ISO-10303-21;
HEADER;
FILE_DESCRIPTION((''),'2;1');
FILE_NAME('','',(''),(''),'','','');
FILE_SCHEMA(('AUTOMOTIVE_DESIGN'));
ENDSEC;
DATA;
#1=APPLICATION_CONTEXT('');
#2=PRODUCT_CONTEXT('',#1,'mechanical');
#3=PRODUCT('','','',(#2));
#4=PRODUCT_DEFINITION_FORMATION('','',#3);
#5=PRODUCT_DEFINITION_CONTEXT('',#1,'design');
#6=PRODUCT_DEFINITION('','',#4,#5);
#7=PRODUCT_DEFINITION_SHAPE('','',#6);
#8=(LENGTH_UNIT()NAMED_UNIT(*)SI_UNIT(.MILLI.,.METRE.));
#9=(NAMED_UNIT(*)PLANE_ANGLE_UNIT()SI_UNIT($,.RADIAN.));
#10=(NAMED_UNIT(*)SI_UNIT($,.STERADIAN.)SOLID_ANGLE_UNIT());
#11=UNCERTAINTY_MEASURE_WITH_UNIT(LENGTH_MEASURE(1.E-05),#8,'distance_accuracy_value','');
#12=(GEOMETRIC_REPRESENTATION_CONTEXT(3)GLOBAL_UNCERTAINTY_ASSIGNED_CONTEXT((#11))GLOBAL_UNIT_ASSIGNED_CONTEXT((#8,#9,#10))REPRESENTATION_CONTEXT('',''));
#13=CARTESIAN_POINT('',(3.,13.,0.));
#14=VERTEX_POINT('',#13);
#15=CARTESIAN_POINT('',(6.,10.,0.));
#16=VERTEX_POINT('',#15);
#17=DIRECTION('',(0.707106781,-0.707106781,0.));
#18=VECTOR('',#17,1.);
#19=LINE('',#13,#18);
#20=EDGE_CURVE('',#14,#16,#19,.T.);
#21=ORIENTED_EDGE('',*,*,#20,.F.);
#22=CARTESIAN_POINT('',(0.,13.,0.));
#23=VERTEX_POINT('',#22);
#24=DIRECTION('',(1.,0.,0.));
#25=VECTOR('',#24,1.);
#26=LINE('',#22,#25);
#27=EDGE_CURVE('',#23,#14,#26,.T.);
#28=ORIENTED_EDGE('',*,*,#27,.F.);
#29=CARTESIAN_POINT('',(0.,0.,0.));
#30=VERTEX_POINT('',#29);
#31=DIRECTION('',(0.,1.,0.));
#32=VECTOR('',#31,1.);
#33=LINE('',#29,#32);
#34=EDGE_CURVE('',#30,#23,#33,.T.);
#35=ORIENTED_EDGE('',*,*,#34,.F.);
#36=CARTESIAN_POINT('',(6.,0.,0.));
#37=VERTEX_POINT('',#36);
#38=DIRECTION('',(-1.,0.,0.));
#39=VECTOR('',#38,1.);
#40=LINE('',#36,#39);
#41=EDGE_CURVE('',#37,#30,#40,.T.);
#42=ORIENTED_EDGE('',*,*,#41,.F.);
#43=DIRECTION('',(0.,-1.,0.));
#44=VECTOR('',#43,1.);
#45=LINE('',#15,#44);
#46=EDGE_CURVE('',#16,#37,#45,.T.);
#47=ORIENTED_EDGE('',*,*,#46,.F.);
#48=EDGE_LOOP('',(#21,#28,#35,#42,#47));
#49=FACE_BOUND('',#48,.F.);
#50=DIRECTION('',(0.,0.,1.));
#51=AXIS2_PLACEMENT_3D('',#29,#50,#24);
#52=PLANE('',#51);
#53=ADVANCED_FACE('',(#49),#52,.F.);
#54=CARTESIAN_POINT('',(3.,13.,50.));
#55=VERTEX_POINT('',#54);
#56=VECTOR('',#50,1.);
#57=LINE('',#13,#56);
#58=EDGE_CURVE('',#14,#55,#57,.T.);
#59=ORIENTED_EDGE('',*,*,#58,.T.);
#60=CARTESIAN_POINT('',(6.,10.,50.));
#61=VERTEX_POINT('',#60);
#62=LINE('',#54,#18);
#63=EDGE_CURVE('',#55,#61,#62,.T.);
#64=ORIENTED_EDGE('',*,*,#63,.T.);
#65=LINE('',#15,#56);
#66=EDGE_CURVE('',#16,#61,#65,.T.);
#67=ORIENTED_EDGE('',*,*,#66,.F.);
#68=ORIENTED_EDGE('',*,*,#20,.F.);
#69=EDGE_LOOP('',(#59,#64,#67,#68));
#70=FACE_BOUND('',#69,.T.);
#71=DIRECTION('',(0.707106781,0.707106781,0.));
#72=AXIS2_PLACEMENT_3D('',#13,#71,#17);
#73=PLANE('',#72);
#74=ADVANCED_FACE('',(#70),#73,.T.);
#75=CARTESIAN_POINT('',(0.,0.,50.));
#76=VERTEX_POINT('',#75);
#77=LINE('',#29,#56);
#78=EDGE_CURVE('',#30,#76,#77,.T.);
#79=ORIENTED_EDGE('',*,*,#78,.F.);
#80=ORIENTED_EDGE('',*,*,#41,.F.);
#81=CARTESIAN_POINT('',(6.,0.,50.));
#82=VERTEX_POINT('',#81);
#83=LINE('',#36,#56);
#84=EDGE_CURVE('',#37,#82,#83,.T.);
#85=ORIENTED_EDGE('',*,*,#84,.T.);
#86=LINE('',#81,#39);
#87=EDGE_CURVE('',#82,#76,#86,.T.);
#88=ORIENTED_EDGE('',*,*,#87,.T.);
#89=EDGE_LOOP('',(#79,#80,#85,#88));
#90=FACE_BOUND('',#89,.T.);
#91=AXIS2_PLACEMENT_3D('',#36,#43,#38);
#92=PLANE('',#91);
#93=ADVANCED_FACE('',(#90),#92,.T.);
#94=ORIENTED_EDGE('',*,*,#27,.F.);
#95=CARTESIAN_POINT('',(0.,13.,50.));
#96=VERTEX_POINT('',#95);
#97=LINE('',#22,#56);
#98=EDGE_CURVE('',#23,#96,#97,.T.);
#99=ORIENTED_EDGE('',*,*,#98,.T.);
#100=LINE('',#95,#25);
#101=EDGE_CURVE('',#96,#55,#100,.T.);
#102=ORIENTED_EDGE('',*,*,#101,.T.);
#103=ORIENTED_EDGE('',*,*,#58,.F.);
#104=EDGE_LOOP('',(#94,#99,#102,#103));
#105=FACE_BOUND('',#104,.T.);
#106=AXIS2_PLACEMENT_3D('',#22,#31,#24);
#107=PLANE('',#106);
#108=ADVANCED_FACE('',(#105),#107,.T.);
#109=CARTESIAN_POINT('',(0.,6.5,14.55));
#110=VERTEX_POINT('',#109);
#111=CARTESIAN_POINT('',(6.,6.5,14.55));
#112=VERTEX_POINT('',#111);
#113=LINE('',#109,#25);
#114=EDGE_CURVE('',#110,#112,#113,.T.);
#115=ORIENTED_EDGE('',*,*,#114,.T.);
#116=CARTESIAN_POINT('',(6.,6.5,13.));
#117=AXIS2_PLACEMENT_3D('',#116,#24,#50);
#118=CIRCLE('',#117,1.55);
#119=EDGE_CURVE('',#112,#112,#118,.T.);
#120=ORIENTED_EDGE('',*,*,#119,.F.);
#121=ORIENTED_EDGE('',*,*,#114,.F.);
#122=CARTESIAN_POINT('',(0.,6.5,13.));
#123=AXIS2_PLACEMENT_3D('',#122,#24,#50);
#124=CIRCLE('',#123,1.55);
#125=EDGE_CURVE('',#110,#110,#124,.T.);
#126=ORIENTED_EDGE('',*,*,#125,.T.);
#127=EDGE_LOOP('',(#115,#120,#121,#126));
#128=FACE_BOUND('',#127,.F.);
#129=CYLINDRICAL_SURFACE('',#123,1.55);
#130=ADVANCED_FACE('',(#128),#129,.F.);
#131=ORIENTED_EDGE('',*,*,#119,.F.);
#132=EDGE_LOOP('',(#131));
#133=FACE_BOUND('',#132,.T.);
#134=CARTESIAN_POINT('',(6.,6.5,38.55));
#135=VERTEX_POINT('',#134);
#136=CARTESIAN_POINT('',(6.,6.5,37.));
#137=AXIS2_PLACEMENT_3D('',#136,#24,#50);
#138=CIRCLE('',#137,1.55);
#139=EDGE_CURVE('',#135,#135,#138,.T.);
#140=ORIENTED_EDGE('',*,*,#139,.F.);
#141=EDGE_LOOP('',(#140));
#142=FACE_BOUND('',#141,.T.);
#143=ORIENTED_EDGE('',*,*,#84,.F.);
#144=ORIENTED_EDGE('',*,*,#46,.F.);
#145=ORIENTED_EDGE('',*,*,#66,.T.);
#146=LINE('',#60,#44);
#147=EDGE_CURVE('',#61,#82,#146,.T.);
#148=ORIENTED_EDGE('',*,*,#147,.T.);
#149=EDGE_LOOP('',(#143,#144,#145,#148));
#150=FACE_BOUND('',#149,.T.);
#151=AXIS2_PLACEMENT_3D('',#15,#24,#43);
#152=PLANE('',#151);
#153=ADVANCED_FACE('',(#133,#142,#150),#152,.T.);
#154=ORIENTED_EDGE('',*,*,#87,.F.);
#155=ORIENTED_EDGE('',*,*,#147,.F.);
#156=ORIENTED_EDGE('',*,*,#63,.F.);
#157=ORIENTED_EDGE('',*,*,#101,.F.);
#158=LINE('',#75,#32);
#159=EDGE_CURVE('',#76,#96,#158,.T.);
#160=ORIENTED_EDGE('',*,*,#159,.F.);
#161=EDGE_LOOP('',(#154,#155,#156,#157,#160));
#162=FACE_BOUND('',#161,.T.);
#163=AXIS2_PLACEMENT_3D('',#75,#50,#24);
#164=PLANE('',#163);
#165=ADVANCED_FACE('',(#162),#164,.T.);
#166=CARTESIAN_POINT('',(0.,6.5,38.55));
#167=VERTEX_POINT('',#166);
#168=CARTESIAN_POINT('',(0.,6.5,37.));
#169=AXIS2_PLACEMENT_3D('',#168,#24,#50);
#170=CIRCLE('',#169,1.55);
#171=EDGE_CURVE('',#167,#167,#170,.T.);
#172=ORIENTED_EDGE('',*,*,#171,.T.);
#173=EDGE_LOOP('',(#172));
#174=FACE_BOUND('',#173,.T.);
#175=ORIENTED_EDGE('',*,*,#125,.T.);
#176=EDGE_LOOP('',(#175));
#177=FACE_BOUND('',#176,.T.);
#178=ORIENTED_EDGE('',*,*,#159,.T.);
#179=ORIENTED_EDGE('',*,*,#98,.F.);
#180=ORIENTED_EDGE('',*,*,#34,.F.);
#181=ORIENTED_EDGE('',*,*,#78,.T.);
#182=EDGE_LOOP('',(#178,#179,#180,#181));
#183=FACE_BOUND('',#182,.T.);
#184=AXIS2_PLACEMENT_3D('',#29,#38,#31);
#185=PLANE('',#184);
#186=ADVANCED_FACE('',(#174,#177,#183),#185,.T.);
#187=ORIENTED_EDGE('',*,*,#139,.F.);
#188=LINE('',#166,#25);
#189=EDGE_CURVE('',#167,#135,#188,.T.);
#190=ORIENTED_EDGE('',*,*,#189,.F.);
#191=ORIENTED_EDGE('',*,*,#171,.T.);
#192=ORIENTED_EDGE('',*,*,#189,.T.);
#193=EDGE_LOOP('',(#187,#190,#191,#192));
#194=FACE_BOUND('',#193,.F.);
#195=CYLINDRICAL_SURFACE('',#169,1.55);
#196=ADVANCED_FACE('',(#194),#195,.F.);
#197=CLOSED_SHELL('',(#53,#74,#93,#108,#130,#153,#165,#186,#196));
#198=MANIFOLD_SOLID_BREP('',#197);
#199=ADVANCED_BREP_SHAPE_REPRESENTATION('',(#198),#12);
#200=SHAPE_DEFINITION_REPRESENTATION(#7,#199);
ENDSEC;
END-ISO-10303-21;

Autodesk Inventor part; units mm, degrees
ref_plane "YZ Plane" through (0, 0, 0) normal (1, 0, 0) x (0, 1, 0)
ref_plane "XZ Plane" through (0, 0, 0) normal (0, 1, 0) x (-1, 0, 0)
ref_plane "XY Plane" through (0, 0, 0) normal (0, 0, 1) x (1, 0, 0)
sketch "Skizze1" plane through (0, 0, 0) normal (0, 0, 1) x (1, 0, 0)
  line L0 (0, 0) -> (0, 13)
  line L1 (0, 13) -> (3, 13)
  line L2 (3, 13) -> (6, 10)
  line L3 (6, 10) -> (6, 0)
  line L4 (6, 0) -> (0, 0)
  dimension "d0" = 6
  dimension "d1" = 13
  dimension "d2" = 3
  dimension "d3" = 45
extrude "Extrusion1" add sketch "Skizze1" along normal blind 50
sketch "Skizze2" plane through (0, 0, 0) normal (-1, 0, 0) x (0, 0, 1)
  line L0 (0, 13) -> (0, 0) projected
  point P0 (13, 6.5)
  point P1 (37, 6.5)
  point P2 (0, 6.5)
  point P3 (0, 6.5)
  dimension "d13" = 24
  dimension "d14" = 13
hole "Bohrung1" at (0, 6.5, 13) at (0, 6.5, 37) direction (1, 0, 0) diameter 3.1 end through all
properties part number "Flach_Alu" material "Aluminium 6061"
